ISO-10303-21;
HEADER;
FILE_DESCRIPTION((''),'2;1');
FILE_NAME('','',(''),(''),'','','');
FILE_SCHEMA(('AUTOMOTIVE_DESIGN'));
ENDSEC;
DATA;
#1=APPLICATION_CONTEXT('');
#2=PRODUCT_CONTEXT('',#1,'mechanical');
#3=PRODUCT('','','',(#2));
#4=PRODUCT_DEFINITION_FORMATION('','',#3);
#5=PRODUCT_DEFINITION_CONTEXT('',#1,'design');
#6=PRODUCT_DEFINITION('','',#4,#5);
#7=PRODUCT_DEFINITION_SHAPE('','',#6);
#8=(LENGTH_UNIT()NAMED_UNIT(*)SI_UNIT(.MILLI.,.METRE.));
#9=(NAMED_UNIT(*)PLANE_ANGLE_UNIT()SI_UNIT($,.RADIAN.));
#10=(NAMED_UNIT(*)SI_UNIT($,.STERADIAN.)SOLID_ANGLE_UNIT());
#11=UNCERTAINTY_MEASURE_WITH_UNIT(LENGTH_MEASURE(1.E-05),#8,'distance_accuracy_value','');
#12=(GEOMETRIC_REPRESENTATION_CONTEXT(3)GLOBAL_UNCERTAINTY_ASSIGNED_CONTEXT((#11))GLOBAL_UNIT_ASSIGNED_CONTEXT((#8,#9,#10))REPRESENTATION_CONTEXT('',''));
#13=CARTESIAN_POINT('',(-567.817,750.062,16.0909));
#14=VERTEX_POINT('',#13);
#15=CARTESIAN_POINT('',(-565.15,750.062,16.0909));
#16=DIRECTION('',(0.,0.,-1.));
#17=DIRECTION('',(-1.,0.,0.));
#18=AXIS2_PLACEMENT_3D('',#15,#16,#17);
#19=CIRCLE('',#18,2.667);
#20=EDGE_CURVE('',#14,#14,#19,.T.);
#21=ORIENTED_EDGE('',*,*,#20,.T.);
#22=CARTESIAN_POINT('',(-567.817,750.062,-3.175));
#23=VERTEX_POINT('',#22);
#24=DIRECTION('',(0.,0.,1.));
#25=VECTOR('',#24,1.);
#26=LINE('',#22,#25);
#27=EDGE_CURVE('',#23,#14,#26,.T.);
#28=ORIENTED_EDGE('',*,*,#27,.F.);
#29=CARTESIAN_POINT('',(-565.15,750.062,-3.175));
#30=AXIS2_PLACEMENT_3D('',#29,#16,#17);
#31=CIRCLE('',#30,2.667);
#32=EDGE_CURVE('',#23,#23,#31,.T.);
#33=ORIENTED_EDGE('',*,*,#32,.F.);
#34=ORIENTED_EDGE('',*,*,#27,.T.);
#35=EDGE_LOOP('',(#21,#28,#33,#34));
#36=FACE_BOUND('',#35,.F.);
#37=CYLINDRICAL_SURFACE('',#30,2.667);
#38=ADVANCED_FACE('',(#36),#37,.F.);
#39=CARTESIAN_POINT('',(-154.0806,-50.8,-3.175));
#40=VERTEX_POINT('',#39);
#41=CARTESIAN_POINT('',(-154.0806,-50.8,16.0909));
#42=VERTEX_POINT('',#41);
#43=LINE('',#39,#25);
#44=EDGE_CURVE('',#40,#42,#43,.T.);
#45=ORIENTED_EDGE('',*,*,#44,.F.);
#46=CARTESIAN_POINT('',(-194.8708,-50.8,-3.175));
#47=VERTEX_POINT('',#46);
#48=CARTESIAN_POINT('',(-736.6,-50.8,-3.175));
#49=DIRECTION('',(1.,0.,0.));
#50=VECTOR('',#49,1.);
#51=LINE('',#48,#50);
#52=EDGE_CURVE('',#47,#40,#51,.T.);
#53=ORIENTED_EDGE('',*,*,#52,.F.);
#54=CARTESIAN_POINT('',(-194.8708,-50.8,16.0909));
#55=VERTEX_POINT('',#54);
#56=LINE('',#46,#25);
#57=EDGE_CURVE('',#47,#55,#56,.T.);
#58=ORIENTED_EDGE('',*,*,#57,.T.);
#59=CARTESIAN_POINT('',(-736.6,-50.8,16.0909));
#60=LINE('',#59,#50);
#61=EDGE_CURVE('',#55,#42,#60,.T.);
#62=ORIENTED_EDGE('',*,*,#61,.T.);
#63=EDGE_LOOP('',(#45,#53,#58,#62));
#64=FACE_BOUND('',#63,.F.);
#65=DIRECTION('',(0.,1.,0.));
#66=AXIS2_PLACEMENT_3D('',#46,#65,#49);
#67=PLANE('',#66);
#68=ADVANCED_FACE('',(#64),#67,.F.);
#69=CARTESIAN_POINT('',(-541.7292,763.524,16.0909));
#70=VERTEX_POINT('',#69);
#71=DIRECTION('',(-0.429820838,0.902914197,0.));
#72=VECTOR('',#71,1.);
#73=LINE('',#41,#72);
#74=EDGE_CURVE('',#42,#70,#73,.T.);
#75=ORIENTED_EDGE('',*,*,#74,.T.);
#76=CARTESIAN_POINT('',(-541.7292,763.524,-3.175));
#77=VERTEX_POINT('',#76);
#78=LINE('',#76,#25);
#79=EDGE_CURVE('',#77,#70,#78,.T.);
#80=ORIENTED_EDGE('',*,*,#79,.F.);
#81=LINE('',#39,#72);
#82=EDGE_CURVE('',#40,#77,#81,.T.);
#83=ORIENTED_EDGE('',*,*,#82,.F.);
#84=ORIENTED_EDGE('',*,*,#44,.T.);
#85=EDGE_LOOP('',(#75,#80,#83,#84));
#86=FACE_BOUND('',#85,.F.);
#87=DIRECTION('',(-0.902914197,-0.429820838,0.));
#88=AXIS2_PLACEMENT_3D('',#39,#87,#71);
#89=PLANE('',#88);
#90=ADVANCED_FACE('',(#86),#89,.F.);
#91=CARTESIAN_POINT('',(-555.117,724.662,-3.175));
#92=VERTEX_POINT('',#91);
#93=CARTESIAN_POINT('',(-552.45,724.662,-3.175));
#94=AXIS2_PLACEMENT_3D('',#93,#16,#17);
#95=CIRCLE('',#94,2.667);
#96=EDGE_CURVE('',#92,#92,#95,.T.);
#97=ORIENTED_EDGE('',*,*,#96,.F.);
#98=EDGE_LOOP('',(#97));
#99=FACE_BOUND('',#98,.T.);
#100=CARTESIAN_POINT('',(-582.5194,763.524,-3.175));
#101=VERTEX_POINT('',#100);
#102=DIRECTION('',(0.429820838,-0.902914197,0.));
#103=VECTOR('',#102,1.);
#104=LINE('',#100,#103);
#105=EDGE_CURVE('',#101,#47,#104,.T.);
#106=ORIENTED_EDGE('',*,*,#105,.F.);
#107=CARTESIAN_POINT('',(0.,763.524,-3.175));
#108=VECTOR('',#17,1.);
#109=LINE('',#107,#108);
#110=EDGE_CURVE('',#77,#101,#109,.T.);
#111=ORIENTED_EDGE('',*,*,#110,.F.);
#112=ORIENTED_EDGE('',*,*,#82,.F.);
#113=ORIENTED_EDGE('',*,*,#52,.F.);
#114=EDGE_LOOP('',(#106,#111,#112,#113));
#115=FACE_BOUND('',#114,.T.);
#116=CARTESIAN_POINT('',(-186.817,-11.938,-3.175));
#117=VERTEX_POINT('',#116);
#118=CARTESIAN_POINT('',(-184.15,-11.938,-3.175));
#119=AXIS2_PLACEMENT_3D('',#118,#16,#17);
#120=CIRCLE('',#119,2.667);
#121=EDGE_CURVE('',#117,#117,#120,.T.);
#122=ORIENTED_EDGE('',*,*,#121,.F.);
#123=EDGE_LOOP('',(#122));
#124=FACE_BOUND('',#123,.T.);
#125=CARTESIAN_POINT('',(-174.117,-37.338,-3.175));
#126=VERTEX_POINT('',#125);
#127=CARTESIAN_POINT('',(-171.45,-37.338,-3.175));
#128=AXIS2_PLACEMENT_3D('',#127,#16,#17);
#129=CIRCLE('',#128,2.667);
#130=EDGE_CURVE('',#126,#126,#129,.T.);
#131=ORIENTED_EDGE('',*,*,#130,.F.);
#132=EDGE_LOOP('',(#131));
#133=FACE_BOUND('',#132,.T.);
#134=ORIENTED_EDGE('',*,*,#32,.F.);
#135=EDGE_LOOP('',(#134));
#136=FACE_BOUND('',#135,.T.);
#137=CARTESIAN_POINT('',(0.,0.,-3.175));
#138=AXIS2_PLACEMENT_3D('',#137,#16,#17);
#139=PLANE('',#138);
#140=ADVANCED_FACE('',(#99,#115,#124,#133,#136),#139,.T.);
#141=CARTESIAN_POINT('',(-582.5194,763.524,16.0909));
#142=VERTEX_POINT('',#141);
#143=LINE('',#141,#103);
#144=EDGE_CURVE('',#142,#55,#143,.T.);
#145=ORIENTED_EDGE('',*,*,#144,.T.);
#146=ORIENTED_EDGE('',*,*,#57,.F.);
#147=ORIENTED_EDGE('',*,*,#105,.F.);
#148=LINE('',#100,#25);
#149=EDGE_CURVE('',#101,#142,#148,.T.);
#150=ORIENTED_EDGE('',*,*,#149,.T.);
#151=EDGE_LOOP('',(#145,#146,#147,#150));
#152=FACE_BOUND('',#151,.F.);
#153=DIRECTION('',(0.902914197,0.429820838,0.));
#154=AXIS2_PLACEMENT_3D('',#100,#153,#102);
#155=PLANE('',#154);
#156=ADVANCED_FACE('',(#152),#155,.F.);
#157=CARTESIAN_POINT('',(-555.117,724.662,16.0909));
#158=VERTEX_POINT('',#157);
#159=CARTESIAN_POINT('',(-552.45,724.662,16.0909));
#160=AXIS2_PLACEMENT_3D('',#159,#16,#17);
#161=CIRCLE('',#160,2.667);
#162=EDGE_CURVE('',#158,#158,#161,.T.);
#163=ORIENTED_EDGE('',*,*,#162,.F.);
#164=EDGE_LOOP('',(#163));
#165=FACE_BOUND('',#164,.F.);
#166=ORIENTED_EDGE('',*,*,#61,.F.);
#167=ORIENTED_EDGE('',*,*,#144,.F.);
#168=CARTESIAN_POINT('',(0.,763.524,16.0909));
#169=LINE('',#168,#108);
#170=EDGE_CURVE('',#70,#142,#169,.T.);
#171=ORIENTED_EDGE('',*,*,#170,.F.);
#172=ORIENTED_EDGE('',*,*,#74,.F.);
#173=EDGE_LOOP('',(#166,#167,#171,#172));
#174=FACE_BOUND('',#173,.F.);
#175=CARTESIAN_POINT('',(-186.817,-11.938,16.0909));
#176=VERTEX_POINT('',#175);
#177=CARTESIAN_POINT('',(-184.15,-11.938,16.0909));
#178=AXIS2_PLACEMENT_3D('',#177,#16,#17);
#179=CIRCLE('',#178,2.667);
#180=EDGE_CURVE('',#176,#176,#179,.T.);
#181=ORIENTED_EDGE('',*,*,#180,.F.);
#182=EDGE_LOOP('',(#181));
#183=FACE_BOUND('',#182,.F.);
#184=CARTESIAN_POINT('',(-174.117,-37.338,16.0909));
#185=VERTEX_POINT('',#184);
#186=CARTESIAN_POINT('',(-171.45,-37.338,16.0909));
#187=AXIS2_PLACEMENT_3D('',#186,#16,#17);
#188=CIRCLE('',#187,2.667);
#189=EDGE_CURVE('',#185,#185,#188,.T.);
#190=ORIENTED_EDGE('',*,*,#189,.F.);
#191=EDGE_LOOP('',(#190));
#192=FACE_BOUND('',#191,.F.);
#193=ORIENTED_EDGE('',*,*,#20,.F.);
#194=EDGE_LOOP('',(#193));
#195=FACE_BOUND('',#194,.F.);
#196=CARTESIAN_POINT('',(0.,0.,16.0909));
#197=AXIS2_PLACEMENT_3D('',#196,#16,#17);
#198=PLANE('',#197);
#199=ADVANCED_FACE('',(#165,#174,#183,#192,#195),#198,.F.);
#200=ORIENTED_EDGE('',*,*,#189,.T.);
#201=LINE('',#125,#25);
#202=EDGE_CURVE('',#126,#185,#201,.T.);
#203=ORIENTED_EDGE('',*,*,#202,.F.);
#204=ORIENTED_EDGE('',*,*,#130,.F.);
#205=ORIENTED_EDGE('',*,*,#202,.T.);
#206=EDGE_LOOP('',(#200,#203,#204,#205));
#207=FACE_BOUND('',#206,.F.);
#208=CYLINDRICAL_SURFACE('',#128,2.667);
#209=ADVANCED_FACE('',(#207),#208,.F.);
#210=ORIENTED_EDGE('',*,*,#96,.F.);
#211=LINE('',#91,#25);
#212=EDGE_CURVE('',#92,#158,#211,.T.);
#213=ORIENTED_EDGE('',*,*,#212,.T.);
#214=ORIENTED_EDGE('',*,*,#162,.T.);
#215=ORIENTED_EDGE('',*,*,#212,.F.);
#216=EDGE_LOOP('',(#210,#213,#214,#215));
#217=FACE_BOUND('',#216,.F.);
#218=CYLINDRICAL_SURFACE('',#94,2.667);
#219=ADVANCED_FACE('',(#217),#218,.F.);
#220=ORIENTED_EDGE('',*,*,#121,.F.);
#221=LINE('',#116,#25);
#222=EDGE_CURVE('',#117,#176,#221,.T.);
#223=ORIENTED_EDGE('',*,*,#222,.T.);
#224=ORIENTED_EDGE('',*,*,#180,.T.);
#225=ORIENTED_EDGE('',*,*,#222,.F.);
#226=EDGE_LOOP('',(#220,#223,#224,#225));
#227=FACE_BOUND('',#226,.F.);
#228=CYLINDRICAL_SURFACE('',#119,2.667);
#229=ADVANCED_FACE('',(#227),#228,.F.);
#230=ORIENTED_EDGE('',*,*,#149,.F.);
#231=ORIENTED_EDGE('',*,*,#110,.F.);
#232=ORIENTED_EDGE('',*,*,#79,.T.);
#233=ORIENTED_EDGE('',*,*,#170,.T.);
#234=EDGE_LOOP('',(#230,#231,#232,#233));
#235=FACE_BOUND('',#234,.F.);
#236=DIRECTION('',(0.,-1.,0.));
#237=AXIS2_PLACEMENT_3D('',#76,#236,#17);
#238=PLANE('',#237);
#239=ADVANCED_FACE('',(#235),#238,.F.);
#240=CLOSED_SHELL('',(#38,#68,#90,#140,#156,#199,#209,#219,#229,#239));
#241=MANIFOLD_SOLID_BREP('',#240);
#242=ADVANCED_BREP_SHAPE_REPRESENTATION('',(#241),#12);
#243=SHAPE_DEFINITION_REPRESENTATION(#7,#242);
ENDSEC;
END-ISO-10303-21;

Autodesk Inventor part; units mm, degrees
ref_plane "YZ Plane" through (0, 0, 0) normal (1, 0, 0) x (0, 1, 0)
ref_plane "XZ Plane" through (0, 0, 0) normal (0, 1, 0) x (-1, 0, 0)
ref_plane "XY Plane" through (0, 0, 0) normal (0, 0, 1) x (1, 0, 0)
ref_plane "Work Plane1" through (0, 0, -3.175) normal (0, 0, -1) x (-1, 0, 0)
sketch "Sketch1" plane through (0, 0, -3.175) normal (0, 0, -1) x (-1, 0, 0)
  circle A0 centre (171.45, -37.338) radius 2.667 projected
  circle A1 centre (184.15, -11.938) radius 2.667 projected
  circle A2 centre (577.85, 750.062) radius 2.667 construction
  circle A3 centre (565.15, 724.662) radius 2.667 construction
  line L0 (0, 763.524) -> (736.6, 763.524) projected
  line L1 (736.6, -50.8) -> (0, -50.8) projected
  line L2 (154.0806, -50.8) -> (541.7292, 763.524)
  line L3 (582.5194, 763.524) -> (194.8708, -50.8)
  line L4 (194.8708, -50.8) -> (154.0806, -50.8)
  line L5 (541.7292, 763.524) -> (582.5194, 763.524)
  line L6 (487.8257, 564.3774) -> (487.8257, 502.6234) construction
  line L7 (594.2009, 565.5044) -> (496.0553, 565.5044) construction
  line L8 (488.8257, 565.3774) -> (496.0553, 565.3774) construction
  line L9 (248.7743, 148.3466) -> (248.7743, 210.1006) construction
  line L10 (247.7743, 147.3466) -> (240.5447, 147.3466) construction
  line L11 (142.3991, 147.2196) -> (240.5447, 147.2196) construction
  arc A4 (247.7743, 147.3466) -> (248.7743, 148.3466) centre (247.7743, 148.3466) ccw construction
  arc A5 (488.8257, 565.3774) -> (487.8257, 564.3774) centre (488.8257, 564.3774) ccw construction
  line L12 (622.3, 759.587) -> (622.3, 435.737) construction
  line L13 (114.3, -46.863) -> (114.3, 276.987) construction
  circle A6 centre (565.15, 750.062) radius 2.667 projected
  circle A7 centre (552.45, 724.662) radius 2.667 projected
  point P0 (0, 0)
  dimension "d0" = 36.83
  dimension "d1" = 39.7806
extrude "Extrusion1" add sketch "Sketch1" against normal blind 19.2659
properties part number "FR-RL Wood Brace"
